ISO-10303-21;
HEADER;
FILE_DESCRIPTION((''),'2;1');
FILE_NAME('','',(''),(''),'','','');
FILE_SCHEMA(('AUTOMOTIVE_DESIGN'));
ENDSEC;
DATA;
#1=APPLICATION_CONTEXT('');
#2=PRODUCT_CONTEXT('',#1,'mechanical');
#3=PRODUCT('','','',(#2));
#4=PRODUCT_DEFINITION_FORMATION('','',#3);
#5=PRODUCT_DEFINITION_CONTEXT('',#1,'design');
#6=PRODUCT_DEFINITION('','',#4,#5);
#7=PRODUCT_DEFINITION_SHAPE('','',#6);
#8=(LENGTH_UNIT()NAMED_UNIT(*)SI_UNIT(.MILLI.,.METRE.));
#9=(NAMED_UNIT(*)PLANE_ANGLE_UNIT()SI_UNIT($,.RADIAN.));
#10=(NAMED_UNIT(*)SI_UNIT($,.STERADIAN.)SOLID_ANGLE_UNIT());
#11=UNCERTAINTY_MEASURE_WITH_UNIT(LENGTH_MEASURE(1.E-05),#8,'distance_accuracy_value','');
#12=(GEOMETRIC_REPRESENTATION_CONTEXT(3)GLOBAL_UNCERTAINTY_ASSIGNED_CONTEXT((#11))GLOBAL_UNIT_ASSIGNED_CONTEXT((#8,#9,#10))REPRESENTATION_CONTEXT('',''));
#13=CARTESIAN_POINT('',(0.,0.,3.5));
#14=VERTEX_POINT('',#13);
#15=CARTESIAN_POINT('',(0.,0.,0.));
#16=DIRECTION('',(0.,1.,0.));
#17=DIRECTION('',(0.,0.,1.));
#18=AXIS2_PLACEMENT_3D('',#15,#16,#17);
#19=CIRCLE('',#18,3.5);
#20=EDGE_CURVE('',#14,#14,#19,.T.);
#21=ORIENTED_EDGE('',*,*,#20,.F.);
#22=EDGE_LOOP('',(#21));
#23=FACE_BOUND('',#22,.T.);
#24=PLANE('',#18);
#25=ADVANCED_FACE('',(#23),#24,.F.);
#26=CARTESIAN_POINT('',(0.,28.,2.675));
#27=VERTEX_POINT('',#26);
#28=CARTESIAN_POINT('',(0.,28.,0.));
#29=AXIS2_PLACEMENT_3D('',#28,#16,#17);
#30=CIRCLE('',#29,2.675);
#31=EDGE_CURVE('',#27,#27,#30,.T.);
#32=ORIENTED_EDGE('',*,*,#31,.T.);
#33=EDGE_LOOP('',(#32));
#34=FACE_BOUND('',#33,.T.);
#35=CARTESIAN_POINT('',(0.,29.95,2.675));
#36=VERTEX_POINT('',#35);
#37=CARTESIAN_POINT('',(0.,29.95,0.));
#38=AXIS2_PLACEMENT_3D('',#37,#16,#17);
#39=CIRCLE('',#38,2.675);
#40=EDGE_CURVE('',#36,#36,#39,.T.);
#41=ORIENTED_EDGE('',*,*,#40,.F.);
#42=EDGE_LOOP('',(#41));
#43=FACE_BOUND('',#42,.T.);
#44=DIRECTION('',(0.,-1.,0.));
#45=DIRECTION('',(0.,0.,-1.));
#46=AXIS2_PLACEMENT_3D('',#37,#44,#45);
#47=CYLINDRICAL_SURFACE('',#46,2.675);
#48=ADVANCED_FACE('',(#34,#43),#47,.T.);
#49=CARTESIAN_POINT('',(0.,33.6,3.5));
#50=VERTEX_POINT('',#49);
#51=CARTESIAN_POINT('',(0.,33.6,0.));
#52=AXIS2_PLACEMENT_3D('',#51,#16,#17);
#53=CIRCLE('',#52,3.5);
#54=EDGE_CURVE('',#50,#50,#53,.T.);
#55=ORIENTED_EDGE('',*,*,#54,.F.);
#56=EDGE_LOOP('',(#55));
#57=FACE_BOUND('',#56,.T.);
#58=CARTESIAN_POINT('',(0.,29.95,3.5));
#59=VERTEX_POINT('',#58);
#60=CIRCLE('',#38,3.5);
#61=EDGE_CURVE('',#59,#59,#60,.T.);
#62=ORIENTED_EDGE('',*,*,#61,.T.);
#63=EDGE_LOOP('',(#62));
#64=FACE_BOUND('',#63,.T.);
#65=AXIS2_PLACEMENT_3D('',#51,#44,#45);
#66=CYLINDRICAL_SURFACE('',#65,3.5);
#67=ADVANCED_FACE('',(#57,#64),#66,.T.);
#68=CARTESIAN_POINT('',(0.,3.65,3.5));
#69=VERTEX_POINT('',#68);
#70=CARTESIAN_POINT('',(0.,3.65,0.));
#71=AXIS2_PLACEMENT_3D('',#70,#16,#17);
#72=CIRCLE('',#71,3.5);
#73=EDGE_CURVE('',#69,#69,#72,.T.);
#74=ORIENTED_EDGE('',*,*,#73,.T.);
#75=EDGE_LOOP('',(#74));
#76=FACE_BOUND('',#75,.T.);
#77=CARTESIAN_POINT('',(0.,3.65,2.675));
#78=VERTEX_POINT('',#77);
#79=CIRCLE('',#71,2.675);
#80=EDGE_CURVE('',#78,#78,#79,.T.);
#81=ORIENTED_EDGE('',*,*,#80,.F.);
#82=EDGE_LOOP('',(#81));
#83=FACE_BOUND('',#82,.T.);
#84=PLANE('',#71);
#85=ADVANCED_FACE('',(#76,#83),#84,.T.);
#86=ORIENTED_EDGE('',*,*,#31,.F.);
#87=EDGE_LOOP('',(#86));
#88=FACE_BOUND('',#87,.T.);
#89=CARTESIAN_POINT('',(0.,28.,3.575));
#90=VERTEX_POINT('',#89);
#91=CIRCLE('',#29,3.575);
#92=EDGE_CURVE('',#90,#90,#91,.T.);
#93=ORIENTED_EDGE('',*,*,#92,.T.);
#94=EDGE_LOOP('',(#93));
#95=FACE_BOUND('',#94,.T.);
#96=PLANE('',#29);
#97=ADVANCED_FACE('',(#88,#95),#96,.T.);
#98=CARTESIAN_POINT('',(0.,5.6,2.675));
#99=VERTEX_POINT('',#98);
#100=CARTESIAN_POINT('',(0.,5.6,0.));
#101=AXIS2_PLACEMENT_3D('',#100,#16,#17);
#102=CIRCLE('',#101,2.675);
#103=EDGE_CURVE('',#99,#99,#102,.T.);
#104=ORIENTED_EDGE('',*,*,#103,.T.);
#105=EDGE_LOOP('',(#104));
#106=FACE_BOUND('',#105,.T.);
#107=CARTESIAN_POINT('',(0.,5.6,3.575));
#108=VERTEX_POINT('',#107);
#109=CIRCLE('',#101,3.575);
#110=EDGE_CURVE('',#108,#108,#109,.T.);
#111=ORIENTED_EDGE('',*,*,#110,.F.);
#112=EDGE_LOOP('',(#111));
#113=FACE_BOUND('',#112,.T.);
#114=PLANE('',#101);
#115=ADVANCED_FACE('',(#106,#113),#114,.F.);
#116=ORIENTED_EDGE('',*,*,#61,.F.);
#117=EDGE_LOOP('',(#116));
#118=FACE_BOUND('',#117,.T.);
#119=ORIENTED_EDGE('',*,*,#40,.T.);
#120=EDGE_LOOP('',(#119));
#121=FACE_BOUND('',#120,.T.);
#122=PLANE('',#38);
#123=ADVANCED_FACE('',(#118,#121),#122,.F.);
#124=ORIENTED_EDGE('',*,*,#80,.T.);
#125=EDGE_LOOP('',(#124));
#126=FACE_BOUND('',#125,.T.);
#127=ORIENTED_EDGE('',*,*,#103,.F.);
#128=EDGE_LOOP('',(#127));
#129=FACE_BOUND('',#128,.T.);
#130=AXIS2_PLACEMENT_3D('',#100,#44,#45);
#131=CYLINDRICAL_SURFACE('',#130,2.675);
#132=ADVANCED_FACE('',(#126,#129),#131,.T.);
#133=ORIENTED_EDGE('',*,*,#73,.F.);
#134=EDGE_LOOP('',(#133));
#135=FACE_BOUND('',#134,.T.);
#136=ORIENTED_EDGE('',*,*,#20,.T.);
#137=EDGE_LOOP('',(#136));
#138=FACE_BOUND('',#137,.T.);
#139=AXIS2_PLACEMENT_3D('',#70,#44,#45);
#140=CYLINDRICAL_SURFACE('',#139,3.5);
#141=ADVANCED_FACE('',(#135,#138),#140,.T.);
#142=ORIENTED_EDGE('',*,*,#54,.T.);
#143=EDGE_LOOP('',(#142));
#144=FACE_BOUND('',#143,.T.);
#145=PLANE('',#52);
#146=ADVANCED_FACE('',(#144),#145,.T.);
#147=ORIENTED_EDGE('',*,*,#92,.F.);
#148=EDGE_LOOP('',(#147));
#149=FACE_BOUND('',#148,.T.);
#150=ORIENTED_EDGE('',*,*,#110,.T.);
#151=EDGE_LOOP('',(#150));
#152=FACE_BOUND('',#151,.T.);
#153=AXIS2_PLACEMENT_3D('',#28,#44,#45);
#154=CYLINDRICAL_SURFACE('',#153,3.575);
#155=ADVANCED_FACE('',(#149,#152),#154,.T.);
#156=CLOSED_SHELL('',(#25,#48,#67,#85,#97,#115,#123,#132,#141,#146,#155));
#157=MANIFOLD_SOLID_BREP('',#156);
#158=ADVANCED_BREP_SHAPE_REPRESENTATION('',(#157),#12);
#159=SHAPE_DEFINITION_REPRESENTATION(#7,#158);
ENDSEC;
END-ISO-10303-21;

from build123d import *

# Parameters (mm, degrees)
SKETCH2_R           = 3.5
BOSS_EXTRUDE1_DEPTH = 3.65
SKETCH3_R           = 2.675
BOSS_EXTRUDE2_DEPTH = 1.95
SKETCH4_R           = 3.575
BOSS_EXTRUDE3_DEPTH = 22.4
SKETCH5_R           = 2.675
BOSS_EXTRUDE4_DEPTH = 1.95
SKETCH6_R           = 3.5
BOSS_EXTRUDE5_DEPTH = 3.65


with BuildPart() as part:
    # Sketch2 → Boss-Extrude1 (new body)
    with BuildSketch(Plane(origin=(0, 0, 0), x_dir=(1, 0, 0), z_dir=(0, 1, 0))):
        Circle(SKETCH2_R)
    extrude(amount=BOSS_EXTRUDE1_DEPTH)

    # Sketch3 → Boss-Extrude2 (add)
    with BuildSketch(Plane(origin=(0, 3.65, 0), x_dir=(1, 0, 0), z_dir=(0, 1, 0))):
        Circle(SKETCH3_R)
    extrude(amount=BOSS_EXTRUDE2_DEPTH)

    # Sketch4 → Boss-Extrude3 (add)
    with BuildSketch(Plane(origin=(0, 5.6, 0), x_dir=(1, 0, 0), z_dir=(0, 1, 0))):
        Circle(SKETCH4_R)
    extrude(amount=BOSS_EXTRUDE3_DEPTH)

    # Sketch5 → Boss-Extrude4 (add)
    with BuildSketch(Plane(origin=(0, 28, 0), x_dir=(1, 0, 0), z_dir=(0, 1, 0))):
        Circle(SKETCH5_R)
    extrude(amount=BOSS_EXTRUDE4_DEPTH)

    # Sketch6 → Boss-Extrude5 (add)
    with BuildSketch(Plane(origin=(0, 29.95, 0), x_dir=(1, 0, 0), z_dir=(0, 1, 0))):
        Circle(SKETCH6_R)
    extrude(amount=BOSS_EXTRUDE5_DEPTH)


solid = part.part
